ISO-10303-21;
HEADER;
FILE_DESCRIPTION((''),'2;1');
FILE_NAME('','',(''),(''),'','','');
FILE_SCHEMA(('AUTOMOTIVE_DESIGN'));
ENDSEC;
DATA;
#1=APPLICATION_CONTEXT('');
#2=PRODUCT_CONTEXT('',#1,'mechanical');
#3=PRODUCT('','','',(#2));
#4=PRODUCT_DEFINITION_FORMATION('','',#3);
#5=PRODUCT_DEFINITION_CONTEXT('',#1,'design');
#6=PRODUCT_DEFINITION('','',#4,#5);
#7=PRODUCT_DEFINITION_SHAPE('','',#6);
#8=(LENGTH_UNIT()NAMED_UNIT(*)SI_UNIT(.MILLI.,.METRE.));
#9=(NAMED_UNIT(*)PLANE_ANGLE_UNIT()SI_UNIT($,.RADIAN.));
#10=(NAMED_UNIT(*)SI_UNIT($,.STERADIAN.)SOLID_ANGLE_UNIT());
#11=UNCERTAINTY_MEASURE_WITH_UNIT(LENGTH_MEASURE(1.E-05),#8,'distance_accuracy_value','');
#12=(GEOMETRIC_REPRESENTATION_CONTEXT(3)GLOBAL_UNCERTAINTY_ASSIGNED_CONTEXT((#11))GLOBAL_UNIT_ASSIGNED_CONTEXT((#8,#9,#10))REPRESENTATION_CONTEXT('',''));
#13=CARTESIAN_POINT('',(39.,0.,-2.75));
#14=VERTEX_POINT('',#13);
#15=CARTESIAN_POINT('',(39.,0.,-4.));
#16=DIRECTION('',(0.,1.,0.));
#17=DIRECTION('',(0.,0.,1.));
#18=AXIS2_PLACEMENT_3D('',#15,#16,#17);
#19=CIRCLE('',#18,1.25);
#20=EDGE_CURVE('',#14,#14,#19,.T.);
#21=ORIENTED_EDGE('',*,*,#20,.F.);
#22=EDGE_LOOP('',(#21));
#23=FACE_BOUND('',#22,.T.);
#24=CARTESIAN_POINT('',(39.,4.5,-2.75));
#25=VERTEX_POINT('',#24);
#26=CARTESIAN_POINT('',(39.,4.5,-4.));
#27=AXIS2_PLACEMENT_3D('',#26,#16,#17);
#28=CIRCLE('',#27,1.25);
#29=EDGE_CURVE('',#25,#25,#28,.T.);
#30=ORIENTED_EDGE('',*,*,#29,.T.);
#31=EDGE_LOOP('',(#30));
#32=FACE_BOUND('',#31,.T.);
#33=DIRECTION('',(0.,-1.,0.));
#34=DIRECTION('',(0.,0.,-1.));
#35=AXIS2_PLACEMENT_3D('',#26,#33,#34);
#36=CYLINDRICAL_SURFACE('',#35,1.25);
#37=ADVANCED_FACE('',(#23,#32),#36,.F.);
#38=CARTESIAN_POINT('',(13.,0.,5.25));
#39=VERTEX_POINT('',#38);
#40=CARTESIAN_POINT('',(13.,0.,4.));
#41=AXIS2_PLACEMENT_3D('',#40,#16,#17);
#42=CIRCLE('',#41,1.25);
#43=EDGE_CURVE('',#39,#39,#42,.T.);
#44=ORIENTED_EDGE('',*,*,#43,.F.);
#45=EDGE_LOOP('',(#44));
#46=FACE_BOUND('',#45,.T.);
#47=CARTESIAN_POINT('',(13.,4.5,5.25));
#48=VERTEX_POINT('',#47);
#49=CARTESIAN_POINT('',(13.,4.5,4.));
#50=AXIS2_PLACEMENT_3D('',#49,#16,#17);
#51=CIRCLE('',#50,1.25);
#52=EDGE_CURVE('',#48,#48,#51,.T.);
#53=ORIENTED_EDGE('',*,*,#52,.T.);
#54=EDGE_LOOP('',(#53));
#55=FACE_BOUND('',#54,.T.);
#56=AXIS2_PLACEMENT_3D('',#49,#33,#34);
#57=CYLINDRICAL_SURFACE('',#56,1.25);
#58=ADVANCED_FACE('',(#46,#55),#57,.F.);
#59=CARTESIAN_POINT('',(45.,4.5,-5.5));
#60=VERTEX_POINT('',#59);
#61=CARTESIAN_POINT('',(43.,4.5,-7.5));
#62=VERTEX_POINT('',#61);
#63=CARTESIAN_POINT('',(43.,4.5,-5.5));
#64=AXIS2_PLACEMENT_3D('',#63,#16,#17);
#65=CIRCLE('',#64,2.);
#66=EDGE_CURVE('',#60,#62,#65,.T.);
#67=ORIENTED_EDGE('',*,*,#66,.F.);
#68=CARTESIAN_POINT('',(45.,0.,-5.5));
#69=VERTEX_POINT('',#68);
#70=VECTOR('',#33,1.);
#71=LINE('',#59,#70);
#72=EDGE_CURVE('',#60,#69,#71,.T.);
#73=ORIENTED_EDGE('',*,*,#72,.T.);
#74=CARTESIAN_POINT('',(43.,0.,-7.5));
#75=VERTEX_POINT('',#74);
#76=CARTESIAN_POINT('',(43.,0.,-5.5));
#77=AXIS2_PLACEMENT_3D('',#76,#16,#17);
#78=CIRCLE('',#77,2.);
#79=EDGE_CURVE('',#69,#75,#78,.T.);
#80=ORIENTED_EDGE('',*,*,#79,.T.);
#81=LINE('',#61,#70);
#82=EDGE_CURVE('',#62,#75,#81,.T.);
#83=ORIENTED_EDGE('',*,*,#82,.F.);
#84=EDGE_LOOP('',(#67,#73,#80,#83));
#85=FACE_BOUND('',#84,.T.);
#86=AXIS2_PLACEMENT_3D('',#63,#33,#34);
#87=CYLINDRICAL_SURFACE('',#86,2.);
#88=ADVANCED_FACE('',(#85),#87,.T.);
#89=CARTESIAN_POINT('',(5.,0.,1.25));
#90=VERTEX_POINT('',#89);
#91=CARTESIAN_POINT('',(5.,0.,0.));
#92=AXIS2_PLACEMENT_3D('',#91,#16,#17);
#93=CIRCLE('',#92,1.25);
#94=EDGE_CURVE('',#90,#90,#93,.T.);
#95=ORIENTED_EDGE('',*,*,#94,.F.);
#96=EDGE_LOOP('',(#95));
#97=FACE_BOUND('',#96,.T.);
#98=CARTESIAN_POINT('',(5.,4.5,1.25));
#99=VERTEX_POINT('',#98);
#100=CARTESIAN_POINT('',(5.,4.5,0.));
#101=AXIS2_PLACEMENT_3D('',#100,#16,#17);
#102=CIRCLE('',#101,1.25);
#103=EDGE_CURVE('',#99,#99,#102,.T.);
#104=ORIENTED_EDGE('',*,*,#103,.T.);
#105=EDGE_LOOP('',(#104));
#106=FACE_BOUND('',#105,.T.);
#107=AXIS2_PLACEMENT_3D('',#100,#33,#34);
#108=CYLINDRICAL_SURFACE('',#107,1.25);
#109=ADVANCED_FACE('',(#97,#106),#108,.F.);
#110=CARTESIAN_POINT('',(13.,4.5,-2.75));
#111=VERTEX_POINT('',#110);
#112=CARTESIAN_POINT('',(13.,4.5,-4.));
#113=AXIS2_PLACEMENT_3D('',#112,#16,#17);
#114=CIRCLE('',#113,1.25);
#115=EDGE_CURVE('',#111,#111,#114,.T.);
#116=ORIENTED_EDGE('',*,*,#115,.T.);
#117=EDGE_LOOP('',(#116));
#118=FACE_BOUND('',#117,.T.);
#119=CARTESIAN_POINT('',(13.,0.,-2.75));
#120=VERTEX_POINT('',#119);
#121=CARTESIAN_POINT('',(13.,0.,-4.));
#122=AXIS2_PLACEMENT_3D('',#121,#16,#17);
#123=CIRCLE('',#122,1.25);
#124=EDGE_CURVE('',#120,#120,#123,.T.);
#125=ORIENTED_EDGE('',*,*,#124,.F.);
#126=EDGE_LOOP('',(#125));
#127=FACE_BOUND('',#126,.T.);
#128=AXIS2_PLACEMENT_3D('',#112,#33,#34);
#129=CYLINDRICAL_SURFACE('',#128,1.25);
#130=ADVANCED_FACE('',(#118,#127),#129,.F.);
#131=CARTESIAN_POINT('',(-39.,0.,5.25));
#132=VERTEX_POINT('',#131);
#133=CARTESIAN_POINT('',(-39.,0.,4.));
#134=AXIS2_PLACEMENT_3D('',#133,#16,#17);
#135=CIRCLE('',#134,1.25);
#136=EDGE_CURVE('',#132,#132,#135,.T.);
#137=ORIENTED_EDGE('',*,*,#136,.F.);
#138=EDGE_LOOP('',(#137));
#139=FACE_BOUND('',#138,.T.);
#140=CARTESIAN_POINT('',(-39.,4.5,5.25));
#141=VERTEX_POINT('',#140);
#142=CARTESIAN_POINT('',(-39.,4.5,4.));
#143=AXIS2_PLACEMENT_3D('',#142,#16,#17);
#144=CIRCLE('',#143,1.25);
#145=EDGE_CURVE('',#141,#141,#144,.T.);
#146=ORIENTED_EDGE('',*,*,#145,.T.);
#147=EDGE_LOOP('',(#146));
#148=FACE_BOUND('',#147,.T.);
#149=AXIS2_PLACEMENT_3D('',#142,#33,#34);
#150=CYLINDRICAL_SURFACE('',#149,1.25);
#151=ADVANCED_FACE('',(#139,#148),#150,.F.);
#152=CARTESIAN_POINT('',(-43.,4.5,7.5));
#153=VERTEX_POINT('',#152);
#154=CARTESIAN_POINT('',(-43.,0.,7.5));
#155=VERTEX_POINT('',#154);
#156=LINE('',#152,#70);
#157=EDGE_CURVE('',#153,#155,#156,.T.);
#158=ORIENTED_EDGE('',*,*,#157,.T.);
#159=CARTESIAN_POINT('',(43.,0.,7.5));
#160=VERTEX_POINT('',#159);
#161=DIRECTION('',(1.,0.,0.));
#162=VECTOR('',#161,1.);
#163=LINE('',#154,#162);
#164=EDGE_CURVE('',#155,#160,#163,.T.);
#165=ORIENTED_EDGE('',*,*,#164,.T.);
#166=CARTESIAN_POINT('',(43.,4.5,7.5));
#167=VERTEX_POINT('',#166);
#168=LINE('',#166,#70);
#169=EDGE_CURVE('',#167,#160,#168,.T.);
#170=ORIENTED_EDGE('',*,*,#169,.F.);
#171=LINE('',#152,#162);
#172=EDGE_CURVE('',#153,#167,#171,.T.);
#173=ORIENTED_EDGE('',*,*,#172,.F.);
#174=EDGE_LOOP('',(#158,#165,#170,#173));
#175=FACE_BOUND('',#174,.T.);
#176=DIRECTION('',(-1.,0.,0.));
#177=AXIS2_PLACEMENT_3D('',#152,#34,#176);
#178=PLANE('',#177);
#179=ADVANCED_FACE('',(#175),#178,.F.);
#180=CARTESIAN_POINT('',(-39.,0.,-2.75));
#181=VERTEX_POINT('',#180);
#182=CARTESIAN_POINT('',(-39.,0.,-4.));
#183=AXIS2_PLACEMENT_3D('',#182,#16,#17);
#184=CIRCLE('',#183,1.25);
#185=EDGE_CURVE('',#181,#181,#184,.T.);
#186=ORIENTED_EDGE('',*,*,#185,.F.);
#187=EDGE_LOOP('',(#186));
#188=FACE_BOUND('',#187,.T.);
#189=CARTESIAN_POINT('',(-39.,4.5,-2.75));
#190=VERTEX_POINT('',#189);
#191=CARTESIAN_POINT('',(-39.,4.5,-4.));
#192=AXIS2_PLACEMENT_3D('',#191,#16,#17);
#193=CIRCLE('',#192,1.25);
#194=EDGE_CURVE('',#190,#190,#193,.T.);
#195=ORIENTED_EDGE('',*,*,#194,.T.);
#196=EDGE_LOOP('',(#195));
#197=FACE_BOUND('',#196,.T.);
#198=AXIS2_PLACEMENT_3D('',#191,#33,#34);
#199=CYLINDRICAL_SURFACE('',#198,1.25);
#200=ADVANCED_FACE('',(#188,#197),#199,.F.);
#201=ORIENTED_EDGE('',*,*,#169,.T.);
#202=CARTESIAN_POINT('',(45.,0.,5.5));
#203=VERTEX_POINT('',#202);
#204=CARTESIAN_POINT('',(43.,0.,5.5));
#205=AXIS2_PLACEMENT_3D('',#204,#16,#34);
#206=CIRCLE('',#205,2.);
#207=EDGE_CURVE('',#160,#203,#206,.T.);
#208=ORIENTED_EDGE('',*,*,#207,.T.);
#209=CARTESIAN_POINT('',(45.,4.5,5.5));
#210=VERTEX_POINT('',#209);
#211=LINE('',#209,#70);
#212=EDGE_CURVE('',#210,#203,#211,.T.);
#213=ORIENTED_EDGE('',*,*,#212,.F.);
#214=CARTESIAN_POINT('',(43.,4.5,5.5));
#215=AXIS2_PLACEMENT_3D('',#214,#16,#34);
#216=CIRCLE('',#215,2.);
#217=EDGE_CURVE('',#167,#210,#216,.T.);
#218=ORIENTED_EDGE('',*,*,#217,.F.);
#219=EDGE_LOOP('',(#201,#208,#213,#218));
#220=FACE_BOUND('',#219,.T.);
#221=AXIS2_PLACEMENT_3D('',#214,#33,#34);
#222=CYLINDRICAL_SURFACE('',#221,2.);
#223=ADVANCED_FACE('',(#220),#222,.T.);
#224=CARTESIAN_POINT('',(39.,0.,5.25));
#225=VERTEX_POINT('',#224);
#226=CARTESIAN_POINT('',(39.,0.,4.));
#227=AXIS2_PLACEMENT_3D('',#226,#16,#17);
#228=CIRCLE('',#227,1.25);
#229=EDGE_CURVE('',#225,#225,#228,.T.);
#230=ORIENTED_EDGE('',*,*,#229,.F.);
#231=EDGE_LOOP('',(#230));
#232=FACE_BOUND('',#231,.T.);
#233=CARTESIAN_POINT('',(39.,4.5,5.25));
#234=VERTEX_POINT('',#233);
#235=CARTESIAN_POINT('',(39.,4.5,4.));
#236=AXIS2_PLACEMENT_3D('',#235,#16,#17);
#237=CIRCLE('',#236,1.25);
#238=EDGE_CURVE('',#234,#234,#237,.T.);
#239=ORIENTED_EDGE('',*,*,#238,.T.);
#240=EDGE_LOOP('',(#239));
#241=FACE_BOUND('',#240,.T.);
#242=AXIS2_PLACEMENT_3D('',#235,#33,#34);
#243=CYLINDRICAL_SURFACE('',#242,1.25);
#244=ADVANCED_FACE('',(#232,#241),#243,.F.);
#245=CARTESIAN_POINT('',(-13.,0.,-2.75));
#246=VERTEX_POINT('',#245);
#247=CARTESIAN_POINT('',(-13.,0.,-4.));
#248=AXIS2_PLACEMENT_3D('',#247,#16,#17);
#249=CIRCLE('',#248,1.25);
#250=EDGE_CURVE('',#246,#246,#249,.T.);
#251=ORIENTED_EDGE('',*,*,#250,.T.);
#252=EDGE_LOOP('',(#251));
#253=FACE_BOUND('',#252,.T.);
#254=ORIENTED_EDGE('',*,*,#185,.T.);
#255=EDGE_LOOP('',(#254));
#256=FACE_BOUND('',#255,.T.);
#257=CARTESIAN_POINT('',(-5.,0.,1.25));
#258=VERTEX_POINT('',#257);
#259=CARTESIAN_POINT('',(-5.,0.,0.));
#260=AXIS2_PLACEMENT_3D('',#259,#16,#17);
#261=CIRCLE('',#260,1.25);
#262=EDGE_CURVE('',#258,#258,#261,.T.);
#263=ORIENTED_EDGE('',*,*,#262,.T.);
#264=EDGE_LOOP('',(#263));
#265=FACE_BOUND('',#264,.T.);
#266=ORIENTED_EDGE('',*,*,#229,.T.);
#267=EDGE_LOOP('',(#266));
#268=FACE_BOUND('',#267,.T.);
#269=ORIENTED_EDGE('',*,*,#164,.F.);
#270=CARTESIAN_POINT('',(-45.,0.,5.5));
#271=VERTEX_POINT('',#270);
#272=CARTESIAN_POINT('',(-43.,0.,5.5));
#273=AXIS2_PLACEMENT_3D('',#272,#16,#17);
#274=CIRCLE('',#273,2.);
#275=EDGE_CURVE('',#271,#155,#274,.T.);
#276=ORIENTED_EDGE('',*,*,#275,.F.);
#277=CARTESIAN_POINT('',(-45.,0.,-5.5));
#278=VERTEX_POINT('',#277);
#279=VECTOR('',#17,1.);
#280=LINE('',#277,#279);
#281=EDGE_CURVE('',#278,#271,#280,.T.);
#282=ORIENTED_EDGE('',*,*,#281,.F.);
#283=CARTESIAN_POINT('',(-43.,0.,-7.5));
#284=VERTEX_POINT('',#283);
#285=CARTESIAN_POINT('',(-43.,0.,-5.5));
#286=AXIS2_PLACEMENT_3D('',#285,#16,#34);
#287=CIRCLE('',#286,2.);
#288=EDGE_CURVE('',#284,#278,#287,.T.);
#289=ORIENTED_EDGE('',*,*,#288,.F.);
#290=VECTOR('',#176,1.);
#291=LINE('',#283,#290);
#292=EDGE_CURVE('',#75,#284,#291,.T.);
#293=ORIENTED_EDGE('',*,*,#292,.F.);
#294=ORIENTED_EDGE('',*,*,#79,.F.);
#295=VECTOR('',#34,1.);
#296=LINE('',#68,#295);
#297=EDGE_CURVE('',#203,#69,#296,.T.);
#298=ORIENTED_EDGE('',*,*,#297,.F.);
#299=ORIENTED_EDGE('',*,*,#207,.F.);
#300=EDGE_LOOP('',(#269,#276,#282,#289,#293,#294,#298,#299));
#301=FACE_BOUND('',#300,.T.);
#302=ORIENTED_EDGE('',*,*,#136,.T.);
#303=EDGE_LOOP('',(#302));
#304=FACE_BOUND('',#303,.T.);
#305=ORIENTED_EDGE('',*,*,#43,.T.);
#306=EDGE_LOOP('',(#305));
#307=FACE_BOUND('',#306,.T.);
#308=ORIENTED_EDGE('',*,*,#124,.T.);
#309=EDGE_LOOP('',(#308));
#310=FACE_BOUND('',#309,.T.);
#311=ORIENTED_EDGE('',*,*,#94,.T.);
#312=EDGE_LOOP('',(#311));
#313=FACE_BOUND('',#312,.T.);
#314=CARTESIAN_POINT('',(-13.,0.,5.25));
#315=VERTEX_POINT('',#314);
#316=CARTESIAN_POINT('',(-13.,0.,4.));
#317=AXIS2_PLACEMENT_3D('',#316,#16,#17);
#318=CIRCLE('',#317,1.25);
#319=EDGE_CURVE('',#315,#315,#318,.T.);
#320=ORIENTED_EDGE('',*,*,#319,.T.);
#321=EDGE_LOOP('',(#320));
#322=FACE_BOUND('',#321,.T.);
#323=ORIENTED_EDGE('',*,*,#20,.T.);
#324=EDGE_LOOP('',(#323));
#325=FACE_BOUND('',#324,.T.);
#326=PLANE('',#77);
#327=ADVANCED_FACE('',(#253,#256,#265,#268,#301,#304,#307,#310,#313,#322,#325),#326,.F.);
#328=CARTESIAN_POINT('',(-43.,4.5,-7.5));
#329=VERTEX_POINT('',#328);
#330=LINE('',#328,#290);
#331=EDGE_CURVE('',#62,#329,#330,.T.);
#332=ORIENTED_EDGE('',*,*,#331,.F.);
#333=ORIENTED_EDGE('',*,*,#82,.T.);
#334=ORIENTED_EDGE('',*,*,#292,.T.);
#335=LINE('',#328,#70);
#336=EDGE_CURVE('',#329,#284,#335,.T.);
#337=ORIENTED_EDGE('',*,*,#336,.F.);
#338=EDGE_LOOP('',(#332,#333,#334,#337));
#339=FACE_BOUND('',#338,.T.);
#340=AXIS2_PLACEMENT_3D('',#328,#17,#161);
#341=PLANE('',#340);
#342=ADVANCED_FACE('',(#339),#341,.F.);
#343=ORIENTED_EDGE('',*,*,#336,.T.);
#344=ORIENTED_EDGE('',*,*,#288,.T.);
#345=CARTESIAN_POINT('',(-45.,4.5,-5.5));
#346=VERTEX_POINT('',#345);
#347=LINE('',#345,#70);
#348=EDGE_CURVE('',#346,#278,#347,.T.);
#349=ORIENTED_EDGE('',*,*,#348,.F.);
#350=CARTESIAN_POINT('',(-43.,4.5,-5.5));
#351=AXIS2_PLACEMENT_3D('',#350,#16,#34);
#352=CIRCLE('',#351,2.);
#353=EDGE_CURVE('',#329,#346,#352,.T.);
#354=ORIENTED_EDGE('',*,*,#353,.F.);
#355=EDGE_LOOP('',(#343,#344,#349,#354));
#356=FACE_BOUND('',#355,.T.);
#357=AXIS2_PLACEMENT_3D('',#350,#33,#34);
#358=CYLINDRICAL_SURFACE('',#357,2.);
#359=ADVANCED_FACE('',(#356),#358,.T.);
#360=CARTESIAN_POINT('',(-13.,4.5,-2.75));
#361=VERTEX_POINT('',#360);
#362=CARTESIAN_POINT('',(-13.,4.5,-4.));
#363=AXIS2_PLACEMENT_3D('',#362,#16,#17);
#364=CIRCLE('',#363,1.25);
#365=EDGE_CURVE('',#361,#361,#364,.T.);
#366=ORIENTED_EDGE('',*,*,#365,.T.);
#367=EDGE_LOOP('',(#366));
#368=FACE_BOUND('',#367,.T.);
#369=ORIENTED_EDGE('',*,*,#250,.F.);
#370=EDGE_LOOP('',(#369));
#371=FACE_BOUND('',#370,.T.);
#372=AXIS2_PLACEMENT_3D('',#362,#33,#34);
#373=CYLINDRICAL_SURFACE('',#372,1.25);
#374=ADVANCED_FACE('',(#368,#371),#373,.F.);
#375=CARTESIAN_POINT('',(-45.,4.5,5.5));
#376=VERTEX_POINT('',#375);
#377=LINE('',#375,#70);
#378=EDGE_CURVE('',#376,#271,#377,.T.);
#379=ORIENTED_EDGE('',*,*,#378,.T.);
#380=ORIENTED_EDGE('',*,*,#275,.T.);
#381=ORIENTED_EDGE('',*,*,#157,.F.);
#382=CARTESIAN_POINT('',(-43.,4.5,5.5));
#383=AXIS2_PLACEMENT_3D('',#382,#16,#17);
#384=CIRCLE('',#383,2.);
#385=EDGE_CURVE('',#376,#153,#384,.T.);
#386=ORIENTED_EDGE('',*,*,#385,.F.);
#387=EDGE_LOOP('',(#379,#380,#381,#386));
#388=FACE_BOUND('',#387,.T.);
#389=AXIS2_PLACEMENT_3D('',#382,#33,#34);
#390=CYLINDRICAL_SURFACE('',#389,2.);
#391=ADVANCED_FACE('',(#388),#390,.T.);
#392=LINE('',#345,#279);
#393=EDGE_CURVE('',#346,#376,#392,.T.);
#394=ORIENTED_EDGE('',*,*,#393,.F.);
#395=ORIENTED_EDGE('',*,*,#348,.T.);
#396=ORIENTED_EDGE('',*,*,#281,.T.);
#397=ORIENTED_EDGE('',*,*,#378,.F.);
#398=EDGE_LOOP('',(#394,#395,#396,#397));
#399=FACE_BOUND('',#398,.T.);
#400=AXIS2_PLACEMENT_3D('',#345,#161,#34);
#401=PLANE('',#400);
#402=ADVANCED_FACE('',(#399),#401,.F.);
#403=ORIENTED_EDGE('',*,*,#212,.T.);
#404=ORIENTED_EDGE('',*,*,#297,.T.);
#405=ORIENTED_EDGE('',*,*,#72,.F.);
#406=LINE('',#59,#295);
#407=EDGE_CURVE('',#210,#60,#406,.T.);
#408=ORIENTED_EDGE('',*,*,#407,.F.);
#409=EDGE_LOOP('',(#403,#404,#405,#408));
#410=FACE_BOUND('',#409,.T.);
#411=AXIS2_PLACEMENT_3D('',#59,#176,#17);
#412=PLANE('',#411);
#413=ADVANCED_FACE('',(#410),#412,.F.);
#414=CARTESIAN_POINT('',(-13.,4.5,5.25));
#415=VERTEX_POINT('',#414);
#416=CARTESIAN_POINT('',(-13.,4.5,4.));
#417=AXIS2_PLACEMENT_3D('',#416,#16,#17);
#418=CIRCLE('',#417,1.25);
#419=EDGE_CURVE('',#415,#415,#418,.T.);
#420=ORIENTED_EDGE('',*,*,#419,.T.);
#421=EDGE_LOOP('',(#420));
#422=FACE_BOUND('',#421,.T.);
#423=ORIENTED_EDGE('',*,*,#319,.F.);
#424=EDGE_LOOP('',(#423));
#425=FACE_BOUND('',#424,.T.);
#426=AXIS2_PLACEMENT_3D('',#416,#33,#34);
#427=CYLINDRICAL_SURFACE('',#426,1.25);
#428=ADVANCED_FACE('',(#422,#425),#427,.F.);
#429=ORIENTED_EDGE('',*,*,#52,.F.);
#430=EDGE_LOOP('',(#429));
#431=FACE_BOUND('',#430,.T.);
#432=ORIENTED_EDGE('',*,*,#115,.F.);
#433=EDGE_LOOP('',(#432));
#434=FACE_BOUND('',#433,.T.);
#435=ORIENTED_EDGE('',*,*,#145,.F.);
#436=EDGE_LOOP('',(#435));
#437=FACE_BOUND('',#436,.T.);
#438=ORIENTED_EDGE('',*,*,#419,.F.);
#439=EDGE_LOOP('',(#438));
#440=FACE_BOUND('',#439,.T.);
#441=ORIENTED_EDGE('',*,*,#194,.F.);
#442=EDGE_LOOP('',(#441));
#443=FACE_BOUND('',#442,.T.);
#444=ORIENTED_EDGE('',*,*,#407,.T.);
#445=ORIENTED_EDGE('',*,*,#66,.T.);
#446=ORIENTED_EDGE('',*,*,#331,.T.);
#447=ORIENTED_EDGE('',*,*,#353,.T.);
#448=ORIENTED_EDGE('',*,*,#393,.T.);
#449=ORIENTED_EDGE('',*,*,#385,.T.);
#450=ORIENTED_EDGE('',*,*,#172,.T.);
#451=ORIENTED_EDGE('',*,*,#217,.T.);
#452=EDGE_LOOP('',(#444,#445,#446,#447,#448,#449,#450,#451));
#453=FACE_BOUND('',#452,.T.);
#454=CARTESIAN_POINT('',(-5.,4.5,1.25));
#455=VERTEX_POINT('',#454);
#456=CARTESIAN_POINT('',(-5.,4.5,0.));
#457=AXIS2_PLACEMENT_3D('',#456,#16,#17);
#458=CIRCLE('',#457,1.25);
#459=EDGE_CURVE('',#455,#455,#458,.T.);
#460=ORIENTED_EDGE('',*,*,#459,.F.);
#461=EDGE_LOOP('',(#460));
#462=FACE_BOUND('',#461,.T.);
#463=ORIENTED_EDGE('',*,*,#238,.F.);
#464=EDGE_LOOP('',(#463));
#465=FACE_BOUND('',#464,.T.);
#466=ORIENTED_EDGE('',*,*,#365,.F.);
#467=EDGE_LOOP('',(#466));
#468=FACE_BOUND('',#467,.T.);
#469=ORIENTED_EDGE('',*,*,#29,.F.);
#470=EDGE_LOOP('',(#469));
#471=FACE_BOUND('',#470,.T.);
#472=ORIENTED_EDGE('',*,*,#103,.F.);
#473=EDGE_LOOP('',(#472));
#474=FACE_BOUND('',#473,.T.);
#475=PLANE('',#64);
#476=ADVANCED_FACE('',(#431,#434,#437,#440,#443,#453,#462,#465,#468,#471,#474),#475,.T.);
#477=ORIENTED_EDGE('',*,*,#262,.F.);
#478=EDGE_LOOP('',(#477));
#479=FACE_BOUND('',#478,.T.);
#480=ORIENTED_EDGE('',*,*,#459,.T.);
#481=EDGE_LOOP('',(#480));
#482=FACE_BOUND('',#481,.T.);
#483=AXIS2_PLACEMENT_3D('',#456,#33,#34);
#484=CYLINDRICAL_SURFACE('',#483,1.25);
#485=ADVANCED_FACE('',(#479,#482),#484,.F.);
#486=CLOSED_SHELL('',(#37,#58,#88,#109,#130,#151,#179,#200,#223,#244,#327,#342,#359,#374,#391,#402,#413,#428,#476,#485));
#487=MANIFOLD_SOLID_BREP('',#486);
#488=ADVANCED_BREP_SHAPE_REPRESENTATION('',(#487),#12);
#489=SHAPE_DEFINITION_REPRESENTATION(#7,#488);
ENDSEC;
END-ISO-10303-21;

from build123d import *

# Parameters (mm, degrees)
SKETCH_1_R      = 1.25
EXTRUDE_1_DEPTH = 4.5


with BuildPart() as part:
    # 草图1 → 凸台-拉伸1 (new body)
    with BuildSketch(Plane(origin=(0, 0, 0), x_dir=(1, 0, 0), z_dir=(0, 1, 0))):
        with BuildLine():
            Line((-43, 7.5), (43, 7.5))
            ThreePointArc((43, 7.5), (44.414213562, 6.914213562), (45, 5.5))
            Line((45, 5.5), (45, -5.5))
            ThreePointArc((45, -5.5), (44.414213562, -6.914213562), (43, -7.5))
            Line((43, -7.5), (-43, -7.5))
            ThreePointArc((-43, -7.5), (-44.414213562, -6.914213562), (-45, -5.5))
            Line((-45, -5.5), (-45, 5.5))
            ThreePointArc((-45, 5.5), (-44.414213562, 6.914213562), (-43, 7.5))
        make_face()
        with Locations(Location((-5, 0, 0), (0, 0, 270))):
            Circle(SKETCH_1_R, mode=Mode.SUBTRACT)
        with Locations(Location((5, 0, 0), (0, 0, 270))):
            Circle(SKETCH_1_R, mode=Mode.SUBTRACT)
        with Locations(Location((-39, 4, 0), (0, 0, 270))):
            Circle(SKETCH_1_R, mode=Mode.SUBTRACT)
        with Locations(Location((-39, -4, 0), (0, 0, 270))):
            Circle(SKETCH_1_R, mode=Mode.SUBTRACT)
        with Locations(Location((-13, -4, 0), (0, 0, 270))):
            Circle(SKETCH_1_R, mode=Mode.SUBTRACT)
        with Locations(Location((-13, 4, 0), (0, 0, 270))):
            Circle(SKETCH_1_R, mode=Mode.SUBTRACT)
        with Locations(Location((13, -4, 0), (0, 0, 270))):
            Circle(SKETCH_1_R, mode=Mode.SUBTRACT)
        with Locations(Location((13, 4, 0), (0, 0, 270))):
            Circle(SKETCH_1_R, mode=Mode.SUBTRACT)
        with Locations(Location((39, -4, 0), (0, 0, 270))):
            Circle(SKETCH_1_R, mode=Mode.SUBTRACT)
        with Locations(Location((39, 4, 0), (0, 0, 270))):
            Circle(SKETCH_1_R, mode=Mode.SUBTRACT)
    extrude(amount=EXTRUDE_1_DEPTH)


solid = part.part
